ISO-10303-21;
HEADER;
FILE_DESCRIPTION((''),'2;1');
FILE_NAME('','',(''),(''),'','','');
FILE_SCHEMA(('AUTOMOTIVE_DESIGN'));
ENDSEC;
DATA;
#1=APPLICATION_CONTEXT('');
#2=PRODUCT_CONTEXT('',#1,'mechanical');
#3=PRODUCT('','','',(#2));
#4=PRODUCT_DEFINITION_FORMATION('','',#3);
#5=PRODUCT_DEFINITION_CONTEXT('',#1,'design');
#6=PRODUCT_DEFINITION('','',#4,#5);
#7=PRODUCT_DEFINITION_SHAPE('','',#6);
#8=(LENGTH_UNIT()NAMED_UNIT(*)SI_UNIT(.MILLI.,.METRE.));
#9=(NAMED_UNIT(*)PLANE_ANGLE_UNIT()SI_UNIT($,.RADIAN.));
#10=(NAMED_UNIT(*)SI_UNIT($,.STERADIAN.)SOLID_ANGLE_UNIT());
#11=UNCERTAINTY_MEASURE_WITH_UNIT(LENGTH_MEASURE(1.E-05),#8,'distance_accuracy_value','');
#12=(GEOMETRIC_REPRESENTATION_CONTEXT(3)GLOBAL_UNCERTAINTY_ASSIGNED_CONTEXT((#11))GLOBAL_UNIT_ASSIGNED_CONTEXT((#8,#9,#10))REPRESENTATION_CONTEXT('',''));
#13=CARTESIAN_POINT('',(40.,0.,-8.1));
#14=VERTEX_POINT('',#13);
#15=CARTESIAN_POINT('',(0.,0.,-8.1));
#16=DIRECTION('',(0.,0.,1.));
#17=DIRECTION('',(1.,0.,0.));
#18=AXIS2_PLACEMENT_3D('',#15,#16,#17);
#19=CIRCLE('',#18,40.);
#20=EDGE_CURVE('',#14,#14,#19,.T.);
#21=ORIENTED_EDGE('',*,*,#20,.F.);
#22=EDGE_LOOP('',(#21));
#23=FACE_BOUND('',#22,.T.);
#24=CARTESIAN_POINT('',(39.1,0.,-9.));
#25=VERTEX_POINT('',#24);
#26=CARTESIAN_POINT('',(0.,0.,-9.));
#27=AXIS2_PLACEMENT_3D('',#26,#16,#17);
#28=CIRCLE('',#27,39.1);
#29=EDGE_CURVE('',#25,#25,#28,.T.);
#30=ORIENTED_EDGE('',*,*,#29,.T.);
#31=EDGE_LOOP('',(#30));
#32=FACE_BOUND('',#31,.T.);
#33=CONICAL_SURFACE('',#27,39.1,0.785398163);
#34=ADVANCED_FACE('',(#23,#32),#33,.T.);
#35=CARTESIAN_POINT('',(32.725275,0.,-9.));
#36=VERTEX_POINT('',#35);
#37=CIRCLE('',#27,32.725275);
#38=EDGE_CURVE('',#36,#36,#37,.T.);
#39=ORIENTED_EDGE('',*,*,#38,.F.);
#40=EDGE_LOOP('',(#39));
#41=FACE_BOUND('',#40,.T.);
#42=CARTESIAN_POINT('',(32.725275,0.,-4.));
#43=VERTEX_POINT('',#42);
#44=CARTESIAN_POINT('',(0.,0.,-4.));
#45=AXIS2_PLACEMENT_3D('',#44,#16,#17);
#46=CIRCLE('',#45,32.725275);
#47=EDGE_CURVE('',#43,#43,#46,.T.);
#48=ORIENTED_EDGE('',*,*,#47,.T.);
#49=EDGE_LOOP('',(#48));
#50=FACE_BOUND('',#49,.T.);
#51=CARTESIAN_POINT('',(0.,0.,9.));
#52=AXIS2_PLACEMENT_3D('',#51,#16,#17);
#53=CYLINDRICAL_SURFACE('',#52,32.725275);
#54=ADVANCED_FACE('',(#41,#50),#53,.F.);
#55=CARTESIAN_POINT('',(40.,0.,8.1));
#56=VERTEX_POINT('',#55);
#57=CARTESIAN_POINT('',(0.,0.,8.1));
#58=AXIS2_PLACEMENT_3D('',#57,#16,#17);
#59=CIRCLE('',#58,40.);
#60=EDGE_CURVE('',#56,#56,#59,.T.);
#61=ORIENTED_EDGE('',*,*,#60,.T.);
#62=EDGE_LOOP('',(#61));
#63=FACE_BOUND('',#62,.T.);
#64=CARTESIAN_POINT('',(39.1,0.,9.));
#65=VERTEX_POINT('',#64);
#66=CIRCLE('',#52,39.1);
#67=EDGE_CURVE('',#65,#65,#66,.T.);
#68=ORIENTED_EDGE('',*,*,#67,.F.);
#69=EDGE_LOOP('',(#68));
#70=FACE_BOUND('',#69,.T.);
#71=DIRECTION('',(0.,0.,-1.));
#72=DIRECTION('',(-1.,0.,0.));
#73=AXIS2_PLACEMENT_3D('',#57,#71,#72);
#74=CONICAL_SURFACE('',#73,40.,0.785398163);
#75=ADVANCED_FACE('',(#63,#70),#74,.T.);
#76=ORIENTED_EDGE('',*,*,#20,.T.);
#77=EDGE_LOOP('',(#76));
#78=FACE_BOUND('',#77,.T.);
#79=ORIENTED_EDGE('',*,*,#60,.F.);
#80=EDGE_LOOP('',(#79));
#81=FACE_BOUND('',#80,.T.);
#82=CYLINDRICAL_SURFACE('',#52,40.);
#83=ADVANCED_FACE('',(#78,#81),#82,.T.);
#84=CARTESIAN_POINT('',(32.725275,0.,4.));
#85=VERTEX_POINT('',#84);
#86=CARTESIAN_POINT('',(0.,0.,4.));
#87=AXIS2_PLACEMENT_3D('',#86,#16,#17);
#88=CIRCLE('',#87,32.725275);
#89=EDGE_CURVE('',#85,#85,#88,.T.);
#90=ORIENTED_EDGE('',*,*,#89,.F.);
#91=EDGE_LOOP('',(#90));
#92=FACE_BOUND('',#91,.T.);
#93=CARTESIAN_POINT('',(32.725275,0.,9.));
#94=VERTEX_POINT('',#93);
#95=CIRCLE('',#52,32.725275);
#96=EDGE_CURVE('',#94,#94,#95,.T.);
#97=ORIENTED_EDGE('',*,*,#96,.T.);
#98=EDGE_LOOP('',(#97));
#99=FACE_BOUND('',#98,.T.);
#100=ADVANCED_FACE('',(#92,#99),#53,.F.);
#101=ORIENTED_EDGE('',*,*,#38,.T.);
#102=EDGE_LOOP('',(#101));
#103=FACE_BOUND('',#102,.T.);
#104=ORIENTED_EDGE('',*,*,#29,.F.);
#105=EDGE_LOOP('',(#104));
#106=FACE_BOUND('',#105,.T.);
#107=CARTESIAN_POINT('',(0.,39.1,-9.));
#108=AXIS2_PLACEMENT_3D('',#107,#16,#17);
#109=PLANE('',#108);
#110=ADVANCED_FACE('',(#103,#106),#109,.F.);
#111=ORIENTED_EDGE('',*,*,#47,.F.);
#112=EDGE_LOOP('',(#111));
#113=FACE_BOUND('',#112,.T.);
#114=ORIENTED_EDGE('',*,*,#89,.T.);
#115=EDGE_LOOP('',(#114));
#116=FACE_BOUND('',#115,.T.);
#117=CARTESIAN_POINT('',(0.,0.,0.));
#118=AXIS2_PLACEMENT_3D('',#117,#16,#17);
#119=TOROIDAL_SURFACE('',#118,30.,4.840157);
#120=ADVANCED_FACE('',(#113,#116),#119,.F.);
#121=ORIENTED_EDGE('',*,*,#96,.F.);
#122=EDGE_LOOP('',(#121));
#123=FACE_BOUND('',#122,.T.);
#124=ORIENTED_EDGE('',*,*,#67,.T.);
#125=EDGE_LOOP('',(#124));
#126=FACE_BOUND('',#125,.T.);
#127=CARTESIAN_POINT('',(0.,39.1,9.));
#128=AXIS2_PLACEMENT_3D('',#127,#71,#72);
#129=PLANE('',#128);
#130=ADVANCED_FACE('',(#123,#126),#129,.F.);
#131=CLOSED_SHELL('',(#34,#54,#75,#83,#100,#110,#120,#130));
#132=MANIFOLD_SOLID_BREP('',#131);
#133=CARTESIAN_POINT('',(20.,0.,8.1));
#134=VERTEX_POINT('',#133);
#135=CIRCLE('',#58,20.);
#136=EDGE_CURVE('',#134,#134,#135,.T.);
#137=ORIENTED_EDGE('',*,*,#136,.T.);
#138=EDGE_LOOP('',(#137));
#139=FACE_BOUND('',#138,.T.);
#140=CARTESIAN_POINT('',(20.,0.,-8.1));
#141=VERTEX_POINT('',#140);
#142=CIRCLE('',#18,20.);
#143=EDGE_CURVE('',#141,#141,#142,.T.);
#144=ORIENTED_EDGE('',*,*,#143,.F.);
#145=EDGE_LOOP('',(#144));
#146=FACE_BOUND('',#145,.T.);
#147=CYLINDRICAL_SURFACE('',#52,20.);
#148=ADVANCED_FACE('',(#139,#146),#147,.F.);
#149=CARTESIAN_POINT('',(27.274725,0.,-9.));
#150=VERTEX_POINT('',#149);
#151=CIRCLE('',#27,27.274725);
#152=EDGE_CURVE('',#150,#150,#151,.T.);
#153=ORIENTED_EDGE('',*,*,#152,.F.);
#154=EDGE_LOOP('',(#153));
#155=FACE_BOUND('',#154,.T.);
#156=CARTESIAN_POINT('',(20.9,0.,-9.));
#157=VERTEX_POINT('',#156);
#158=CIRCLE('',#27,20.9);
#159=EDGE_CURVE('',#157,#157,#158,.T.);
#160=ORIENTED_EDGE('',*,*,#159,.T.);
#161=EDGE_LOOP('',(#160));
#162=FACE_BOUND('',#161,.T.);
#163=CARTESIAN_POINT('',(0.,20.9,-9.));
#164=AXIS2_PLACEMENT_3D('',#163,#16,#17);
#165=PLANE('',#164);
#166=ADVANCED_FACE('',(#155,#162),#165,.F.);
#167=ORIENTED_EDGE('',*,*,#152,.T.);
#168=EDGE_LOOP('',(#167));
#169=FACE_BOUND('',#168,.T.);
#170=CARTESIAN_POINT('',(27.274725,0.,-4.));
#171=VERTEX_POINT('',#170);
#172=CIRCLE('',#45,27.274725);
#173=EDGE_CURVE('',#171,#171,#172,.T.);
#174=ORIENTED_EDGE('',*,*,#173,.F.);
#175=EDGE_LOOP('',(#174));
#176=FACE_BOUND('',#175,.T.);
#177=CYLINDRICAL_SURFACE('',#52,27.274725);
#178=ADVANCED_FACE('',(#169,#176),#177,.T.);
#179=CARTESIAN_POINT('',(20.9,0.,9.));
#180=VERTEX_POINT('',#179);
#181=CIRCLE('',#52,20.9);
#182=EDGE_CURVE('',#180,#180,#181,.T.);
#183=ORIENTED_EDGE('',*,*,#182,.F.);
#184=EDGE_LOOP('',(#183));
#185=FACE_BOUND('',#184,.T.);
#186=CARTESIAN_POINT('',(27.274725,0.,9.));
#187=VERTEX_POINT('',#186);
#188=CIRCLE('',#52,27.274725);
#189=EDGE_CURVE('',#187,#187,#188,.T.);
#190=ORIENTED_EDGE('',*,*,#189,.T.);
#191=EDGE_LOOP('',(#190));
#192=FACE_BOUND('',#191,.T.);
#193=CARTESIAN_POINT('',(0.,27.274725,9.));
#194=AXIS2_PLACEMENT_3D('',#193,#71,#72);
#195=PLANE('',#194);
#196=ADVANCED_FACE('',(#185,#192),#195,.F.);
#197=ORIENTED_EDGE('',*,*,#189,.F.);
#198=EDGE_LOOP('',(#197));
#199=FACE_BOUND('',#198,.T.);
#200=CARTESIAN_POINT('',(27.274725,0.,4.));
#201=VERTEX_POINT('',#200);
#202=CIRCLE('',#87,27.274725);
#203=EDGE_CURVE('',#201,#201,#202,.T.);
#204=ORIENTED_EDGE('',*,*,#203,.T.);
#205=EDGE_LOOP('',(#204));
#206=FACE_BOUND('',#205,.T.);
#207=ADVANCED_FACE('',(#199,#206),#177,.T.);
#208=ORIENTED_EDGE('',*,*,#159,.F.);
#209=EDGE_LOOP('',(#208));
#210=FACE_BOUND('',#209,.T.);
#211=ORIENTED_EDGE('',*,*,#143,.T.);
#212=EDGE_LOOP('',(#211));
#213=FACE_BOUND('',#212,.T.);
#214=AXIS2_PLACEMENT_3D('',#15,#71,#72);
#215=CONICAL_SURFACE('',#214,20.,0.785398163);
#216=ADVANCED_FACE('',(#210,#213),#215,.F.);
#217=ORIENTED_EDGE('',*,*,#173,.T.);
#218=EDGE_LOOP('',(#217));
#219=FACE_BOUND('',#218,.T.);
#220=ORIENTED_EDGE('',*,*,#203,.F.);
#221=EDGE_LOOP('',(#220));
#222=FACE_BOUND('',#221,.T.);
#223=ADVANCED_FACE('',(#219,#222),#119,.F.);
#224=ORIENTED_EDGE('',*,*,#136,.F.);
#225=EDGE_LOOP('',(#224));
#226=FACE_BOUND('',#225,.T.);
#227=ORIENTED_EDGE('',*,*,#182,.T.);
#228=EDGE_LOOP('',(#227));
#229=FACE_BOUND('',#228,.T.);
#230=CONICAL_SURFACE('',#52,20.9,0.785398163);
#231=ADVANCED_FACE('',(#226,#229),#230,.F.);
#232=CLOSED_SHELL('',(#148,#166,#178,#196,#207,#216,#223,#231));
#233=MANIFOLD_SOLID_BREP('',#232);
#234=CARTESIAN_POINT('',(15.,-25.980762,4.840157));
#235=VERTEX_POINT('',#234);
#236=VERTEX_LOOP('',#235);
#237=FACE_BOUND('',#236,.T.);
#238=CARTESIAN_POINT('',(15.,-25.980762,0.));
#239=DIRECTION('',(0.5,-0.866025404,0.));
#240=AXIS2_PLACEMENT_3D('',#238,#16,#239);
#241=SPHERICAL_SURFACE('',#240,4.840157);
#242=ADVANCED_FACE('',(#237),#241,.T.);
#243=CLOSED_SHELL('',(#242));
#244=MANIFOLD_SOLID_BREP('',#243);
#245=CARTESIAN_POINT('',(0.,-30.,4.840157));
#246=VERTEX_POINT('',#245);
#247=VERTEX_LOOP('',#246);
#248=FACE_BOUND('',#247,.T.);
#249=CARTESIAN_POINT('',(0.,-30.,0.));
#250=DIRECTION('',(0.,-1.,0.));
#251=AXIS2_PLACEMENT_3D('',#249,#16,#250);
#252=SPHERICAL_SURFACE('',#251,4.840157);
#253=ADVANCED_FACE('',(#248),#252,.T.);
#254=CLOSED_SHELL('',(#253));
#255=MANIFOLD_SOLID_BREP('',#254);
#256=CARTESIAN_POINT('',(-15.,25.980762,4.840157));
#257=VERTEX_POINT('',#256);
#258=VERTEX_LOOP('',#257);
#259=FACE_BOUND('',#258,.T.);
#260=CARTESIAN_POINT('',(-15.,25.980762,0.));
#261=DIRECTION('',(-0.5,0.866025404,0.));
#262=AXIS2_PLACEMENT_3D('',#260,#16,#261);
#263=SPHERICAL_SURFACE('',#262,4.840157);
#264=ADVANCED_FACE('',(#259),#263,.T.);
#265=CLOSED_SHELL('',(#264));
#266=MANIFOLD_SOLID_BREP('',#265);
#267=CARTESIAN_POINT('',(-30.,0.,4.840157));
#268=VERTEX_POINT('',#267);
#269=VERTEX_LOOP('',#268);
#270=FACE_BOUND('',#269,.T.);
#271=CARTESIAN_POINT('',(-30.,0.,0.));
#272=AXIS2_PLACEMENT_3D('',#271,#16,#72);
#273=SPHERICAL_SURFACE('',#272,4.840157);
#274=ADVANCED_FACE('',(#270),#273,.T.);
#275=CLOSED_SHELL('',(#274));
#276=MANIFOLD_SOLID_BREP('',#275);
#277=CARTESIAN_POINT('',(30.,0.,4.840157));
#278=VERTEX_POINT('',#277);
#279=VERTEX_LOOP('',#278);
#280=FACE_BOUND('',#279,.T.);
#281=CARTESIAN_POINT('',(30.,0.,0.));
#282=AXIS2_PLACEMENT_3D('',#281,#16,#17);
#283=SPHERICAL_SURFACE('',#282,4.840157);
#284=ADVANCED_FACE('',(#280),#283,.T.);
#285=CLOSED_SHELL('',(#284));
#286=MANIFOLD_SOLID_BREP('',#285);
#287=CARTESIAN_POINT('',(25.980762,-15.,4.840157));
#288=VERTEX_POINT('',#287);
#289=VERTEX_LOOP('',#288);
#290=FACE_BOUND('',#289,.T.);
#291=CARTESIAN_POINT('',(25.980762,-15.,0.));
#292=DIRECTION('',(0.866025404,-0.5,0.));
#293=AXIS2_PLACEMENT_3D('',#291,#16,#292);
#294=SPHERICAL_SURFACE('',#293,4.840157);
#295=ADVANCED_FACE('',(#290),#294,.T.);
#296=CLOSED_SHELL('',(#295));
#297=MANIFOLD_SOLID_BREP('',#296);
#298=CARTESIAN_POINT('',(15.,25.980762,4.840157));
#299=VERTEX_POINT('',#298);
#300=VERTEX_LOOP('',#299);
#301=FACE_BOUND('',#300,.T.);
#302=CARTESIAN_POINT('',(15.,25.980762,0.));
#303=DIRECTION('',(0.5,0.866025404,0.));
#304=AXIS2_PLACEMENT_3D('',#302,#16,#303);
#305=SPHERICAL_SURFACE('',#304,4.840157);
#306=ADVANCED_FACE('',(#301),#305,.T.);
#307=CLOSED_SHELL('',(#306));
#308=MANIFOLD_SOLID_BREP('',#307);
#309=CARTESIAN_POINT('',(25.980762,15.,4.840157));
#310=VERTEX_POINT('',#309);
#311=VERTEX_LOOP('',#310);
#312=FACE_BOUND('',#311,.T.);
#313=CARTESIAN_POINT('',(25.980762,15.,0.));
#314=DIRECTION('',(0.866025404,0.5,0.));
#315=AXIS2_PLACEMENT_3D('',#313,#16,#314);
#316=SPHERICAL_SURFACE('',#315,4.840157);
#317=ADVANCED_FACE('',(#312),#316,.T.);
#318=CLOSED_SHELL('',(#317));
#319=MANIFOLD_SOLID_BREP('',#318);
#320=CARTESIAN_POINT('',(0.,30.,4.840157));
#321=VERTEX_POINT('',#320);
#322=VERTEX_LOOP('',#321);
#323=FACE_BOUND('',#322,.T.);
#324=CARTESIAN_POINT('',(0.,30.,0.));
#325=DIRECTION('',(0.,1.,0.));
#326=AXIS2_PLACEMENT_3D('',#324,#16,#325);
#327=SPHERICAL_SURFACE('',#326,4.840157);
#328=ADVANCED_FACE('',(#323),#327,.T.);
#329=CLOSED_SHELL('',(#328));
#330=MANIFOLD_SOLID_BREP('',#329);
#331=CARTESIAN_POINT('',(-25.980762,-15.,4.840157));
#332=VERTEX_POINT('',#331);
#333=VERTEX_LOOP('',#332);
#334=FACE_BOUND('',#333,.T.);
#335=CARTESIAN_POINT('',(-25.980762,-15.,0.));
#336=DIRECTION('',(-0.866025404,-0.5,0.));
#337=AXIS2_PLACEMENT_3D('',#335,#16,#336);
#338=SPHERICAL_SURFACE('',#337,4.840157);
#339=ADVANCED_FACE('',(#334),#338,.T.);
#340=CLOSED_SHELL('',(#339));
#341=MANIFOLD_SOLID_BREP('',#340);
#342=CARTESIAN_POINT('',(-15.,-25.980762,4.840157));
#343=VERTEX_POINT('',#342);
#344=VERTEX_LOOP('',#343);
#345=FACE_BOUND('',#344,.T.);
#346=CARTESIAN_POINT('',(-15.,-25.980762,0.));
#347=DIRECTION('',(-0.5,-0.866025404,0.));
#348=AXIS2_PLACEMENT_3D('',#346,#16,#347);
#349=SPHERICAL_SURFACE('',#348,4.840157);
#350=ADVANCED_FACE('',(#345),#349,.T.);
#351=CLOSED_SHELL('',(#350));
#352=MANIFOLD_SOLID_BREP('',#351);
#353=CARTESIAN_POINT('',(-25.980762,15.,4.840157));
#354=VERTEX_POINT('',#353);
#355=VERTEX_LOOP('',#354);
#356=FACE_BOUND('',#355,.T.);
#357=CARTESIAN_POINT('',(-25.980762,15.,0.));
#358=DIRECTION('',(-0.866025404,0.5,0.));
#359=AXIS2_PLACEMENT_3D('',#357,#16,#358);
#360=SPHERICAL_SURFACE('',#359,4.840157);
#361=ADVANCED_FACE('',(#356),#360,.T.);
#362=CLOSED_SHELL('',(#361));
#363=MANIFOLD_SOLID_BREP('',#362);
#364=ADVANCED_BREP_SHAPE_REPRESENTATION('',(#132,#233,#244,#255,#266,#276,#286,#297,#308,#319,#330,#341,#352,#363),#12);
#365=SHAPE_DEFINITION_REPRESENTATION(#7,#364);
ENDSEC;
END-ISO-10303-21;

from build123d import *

# Parameters (mm, degrees)
CIRPATTERN1_COUNT = 12


with BuildPart() as part:
    # Sketch1 → Revolve1 (revolve)
    with BuildSketch(Plane(origin=(0, 0, 0), x_dir=(0, 0, -1), z_dir=(1, 0, 0))):
        with BuildLine():
            Line((8.1, 40), (-8.1, 40))
            Line((-8.1, 40), (-9, 39.1))
            Line((-9, 39.1), (-9, 32.725274725))
            Line((-9, 32.725274725), (-4, 32.725274725))
            ThreePointArc((-4, 32.725274725), (0, 34.840157263), (4, 32.725274725))
            Line((4, 32.725274725), (9, 32.725274725))
            Line((9, 32.725274725), (9, 39.1))
            Line((9, 39.1), (8.1, 40))
        make_face()
    revolve(axis=Axis((0, 0, 9), (0, 0, -1)))


with BuildPart() as body_2:
    # Sketch3 → Revolve3 (revolve)
    with BuildSketch(Plane(origin=(0, 0, 0), x_dir=(0, 0, -1), z_dir=(1, 0, 0))):
        with BuildLine():
            Line((-9, 27.274725275), (-4, 27.274725275))
            ThreePointArc((-4, 27.274725275), (0, 25.159842737), (4, 27.274725275))
            Line((4, 27.274725275), (9, 27.274725275))
            Line((9, 27.274725275), (9, 20.9))
            Line((9, 20.9), (8.1, 20))
            Line((8.1, 20), (-8.1, 20))
            Line((-8.1, 20), (-9, 20.9))
            Line((-9, 20.9), (-9, 27.274725275))
        make_face()
    revolve(axis=Axis((0, 0, 9), (0, 0, -1)))


with BuildPart() as body_3:
    # Sketch4 → Revolve4 (revolve)
    with BuildSketch(Plane(origin=(0, 0, 0), x_dir=(0, 0, -1), z_dir=(1, 0, 0))):
        with BuildLine():
            Line((-4.840157263, 30), (4.840157263, 30))
            ThreePointArc((4.840157263, 30), (0, 34.840157263), (-4.840157263, 30))
        make_face()
    revolve(axis=Axis((0, 30, 4.840157263), (0, 0, -1)))


with BuildPart() as cirpattern1_1:
    # CirPattern1: pattern copy
    add(body_3.part.rotate(Axis((0, 0, -9), (0, 0, 1)), 1 * 360 / CIRPATTERN1_COUNT))


with BuildPart() as cirpattern1_2:
    # CirPattern1: pattern copy
    add(body_3.part.rotate(Axis((0, 0, -9), (0, 0, 1)), 2 * 360 / CIRPATTERN1_COUNT))


with BuildPart() as cirpattern1_3:
    # CirPattern1: pattern copy
    add(body_3.part.rotate(Axis((0, 0, -9), (0, 0, 1)), 3 * 360 / CIRPATTERN1_COUNT))


with BuildPart() as cirpattern1_4:
    # CirPattern1: pattern copy
    add(body_3.part.rotate(Axis((0, 0, -9), (0, 0, 1)), 4 * 360 / CIRPATTERN1_COUNT))


with BuildPart() as cirpattern1_5:
    # CirPattern1: pattern copy
    add(body_3.part.rotate(Axis((0, 0, -9), (0, 0, 1)), 5 * 360 / CIRPATTERN1_COUNT))


with BuildPart() as cirpattern1_6:
    # CirPattern1: pattern copy
    add(body_3.part.rotate(Axis((0, 0, -9), (0, 0, 1)), 6 * 360 / CIRPATTERN1_COUNT))


with BuildPart() as cirpattern1_7:
    # CirPattern1: pattern copy
    add(body_3.part.rotate(Axis((0, 0, -9), (0, 0, 1)), 7 * 360 / CIRPATTERN1_COUNT))


with BuildPart() as cirpattern1_8:
    # CirPattern1: pattern copy
    add(body_3.part.rotate(Axis((0, 0, -9), (0, 0, 1)), 8 * 360 / CIRPATTERN1_COUNT))


with BuildPart() as cirpattern1_9:
    # CirPattern1: pattern copy
    add(body_3.part.rotate(Axis((0, 0, -9), (0, 0, 1)), 9 * 360 / CIRPATTERN1_COUNT))


with BuildPart() as cirpattern1_10:
    # CirPattern1: pattern copy
    add(body_3.part.rotate(Axis((0, 0, -9), (0, 0, 1)), 10 * 360 / CIRPATTERN1_COUNT))


with BuildPart() as cirpattern1_11:
    # CirPattern1: pattern copy
    add(body_3.part.rotate(Axis((0, 0, -9), (0, 0, 1)), 11 * 360 / CIRPATTERN1_COUNT))


solid = Compound([part.part, body_2.part, body_3.part, cirpattern1_1.part, cirpattern1_2.part, cirpattern1_3.part, cirpattern1_4.part, cirpattern1_5.part, cirpattern1_6.part, cirpattern1_7.part, cirpattern1_8.part, cirpattern1_9.part, cirpattern1_10.part, cirpattern1_11.part])
